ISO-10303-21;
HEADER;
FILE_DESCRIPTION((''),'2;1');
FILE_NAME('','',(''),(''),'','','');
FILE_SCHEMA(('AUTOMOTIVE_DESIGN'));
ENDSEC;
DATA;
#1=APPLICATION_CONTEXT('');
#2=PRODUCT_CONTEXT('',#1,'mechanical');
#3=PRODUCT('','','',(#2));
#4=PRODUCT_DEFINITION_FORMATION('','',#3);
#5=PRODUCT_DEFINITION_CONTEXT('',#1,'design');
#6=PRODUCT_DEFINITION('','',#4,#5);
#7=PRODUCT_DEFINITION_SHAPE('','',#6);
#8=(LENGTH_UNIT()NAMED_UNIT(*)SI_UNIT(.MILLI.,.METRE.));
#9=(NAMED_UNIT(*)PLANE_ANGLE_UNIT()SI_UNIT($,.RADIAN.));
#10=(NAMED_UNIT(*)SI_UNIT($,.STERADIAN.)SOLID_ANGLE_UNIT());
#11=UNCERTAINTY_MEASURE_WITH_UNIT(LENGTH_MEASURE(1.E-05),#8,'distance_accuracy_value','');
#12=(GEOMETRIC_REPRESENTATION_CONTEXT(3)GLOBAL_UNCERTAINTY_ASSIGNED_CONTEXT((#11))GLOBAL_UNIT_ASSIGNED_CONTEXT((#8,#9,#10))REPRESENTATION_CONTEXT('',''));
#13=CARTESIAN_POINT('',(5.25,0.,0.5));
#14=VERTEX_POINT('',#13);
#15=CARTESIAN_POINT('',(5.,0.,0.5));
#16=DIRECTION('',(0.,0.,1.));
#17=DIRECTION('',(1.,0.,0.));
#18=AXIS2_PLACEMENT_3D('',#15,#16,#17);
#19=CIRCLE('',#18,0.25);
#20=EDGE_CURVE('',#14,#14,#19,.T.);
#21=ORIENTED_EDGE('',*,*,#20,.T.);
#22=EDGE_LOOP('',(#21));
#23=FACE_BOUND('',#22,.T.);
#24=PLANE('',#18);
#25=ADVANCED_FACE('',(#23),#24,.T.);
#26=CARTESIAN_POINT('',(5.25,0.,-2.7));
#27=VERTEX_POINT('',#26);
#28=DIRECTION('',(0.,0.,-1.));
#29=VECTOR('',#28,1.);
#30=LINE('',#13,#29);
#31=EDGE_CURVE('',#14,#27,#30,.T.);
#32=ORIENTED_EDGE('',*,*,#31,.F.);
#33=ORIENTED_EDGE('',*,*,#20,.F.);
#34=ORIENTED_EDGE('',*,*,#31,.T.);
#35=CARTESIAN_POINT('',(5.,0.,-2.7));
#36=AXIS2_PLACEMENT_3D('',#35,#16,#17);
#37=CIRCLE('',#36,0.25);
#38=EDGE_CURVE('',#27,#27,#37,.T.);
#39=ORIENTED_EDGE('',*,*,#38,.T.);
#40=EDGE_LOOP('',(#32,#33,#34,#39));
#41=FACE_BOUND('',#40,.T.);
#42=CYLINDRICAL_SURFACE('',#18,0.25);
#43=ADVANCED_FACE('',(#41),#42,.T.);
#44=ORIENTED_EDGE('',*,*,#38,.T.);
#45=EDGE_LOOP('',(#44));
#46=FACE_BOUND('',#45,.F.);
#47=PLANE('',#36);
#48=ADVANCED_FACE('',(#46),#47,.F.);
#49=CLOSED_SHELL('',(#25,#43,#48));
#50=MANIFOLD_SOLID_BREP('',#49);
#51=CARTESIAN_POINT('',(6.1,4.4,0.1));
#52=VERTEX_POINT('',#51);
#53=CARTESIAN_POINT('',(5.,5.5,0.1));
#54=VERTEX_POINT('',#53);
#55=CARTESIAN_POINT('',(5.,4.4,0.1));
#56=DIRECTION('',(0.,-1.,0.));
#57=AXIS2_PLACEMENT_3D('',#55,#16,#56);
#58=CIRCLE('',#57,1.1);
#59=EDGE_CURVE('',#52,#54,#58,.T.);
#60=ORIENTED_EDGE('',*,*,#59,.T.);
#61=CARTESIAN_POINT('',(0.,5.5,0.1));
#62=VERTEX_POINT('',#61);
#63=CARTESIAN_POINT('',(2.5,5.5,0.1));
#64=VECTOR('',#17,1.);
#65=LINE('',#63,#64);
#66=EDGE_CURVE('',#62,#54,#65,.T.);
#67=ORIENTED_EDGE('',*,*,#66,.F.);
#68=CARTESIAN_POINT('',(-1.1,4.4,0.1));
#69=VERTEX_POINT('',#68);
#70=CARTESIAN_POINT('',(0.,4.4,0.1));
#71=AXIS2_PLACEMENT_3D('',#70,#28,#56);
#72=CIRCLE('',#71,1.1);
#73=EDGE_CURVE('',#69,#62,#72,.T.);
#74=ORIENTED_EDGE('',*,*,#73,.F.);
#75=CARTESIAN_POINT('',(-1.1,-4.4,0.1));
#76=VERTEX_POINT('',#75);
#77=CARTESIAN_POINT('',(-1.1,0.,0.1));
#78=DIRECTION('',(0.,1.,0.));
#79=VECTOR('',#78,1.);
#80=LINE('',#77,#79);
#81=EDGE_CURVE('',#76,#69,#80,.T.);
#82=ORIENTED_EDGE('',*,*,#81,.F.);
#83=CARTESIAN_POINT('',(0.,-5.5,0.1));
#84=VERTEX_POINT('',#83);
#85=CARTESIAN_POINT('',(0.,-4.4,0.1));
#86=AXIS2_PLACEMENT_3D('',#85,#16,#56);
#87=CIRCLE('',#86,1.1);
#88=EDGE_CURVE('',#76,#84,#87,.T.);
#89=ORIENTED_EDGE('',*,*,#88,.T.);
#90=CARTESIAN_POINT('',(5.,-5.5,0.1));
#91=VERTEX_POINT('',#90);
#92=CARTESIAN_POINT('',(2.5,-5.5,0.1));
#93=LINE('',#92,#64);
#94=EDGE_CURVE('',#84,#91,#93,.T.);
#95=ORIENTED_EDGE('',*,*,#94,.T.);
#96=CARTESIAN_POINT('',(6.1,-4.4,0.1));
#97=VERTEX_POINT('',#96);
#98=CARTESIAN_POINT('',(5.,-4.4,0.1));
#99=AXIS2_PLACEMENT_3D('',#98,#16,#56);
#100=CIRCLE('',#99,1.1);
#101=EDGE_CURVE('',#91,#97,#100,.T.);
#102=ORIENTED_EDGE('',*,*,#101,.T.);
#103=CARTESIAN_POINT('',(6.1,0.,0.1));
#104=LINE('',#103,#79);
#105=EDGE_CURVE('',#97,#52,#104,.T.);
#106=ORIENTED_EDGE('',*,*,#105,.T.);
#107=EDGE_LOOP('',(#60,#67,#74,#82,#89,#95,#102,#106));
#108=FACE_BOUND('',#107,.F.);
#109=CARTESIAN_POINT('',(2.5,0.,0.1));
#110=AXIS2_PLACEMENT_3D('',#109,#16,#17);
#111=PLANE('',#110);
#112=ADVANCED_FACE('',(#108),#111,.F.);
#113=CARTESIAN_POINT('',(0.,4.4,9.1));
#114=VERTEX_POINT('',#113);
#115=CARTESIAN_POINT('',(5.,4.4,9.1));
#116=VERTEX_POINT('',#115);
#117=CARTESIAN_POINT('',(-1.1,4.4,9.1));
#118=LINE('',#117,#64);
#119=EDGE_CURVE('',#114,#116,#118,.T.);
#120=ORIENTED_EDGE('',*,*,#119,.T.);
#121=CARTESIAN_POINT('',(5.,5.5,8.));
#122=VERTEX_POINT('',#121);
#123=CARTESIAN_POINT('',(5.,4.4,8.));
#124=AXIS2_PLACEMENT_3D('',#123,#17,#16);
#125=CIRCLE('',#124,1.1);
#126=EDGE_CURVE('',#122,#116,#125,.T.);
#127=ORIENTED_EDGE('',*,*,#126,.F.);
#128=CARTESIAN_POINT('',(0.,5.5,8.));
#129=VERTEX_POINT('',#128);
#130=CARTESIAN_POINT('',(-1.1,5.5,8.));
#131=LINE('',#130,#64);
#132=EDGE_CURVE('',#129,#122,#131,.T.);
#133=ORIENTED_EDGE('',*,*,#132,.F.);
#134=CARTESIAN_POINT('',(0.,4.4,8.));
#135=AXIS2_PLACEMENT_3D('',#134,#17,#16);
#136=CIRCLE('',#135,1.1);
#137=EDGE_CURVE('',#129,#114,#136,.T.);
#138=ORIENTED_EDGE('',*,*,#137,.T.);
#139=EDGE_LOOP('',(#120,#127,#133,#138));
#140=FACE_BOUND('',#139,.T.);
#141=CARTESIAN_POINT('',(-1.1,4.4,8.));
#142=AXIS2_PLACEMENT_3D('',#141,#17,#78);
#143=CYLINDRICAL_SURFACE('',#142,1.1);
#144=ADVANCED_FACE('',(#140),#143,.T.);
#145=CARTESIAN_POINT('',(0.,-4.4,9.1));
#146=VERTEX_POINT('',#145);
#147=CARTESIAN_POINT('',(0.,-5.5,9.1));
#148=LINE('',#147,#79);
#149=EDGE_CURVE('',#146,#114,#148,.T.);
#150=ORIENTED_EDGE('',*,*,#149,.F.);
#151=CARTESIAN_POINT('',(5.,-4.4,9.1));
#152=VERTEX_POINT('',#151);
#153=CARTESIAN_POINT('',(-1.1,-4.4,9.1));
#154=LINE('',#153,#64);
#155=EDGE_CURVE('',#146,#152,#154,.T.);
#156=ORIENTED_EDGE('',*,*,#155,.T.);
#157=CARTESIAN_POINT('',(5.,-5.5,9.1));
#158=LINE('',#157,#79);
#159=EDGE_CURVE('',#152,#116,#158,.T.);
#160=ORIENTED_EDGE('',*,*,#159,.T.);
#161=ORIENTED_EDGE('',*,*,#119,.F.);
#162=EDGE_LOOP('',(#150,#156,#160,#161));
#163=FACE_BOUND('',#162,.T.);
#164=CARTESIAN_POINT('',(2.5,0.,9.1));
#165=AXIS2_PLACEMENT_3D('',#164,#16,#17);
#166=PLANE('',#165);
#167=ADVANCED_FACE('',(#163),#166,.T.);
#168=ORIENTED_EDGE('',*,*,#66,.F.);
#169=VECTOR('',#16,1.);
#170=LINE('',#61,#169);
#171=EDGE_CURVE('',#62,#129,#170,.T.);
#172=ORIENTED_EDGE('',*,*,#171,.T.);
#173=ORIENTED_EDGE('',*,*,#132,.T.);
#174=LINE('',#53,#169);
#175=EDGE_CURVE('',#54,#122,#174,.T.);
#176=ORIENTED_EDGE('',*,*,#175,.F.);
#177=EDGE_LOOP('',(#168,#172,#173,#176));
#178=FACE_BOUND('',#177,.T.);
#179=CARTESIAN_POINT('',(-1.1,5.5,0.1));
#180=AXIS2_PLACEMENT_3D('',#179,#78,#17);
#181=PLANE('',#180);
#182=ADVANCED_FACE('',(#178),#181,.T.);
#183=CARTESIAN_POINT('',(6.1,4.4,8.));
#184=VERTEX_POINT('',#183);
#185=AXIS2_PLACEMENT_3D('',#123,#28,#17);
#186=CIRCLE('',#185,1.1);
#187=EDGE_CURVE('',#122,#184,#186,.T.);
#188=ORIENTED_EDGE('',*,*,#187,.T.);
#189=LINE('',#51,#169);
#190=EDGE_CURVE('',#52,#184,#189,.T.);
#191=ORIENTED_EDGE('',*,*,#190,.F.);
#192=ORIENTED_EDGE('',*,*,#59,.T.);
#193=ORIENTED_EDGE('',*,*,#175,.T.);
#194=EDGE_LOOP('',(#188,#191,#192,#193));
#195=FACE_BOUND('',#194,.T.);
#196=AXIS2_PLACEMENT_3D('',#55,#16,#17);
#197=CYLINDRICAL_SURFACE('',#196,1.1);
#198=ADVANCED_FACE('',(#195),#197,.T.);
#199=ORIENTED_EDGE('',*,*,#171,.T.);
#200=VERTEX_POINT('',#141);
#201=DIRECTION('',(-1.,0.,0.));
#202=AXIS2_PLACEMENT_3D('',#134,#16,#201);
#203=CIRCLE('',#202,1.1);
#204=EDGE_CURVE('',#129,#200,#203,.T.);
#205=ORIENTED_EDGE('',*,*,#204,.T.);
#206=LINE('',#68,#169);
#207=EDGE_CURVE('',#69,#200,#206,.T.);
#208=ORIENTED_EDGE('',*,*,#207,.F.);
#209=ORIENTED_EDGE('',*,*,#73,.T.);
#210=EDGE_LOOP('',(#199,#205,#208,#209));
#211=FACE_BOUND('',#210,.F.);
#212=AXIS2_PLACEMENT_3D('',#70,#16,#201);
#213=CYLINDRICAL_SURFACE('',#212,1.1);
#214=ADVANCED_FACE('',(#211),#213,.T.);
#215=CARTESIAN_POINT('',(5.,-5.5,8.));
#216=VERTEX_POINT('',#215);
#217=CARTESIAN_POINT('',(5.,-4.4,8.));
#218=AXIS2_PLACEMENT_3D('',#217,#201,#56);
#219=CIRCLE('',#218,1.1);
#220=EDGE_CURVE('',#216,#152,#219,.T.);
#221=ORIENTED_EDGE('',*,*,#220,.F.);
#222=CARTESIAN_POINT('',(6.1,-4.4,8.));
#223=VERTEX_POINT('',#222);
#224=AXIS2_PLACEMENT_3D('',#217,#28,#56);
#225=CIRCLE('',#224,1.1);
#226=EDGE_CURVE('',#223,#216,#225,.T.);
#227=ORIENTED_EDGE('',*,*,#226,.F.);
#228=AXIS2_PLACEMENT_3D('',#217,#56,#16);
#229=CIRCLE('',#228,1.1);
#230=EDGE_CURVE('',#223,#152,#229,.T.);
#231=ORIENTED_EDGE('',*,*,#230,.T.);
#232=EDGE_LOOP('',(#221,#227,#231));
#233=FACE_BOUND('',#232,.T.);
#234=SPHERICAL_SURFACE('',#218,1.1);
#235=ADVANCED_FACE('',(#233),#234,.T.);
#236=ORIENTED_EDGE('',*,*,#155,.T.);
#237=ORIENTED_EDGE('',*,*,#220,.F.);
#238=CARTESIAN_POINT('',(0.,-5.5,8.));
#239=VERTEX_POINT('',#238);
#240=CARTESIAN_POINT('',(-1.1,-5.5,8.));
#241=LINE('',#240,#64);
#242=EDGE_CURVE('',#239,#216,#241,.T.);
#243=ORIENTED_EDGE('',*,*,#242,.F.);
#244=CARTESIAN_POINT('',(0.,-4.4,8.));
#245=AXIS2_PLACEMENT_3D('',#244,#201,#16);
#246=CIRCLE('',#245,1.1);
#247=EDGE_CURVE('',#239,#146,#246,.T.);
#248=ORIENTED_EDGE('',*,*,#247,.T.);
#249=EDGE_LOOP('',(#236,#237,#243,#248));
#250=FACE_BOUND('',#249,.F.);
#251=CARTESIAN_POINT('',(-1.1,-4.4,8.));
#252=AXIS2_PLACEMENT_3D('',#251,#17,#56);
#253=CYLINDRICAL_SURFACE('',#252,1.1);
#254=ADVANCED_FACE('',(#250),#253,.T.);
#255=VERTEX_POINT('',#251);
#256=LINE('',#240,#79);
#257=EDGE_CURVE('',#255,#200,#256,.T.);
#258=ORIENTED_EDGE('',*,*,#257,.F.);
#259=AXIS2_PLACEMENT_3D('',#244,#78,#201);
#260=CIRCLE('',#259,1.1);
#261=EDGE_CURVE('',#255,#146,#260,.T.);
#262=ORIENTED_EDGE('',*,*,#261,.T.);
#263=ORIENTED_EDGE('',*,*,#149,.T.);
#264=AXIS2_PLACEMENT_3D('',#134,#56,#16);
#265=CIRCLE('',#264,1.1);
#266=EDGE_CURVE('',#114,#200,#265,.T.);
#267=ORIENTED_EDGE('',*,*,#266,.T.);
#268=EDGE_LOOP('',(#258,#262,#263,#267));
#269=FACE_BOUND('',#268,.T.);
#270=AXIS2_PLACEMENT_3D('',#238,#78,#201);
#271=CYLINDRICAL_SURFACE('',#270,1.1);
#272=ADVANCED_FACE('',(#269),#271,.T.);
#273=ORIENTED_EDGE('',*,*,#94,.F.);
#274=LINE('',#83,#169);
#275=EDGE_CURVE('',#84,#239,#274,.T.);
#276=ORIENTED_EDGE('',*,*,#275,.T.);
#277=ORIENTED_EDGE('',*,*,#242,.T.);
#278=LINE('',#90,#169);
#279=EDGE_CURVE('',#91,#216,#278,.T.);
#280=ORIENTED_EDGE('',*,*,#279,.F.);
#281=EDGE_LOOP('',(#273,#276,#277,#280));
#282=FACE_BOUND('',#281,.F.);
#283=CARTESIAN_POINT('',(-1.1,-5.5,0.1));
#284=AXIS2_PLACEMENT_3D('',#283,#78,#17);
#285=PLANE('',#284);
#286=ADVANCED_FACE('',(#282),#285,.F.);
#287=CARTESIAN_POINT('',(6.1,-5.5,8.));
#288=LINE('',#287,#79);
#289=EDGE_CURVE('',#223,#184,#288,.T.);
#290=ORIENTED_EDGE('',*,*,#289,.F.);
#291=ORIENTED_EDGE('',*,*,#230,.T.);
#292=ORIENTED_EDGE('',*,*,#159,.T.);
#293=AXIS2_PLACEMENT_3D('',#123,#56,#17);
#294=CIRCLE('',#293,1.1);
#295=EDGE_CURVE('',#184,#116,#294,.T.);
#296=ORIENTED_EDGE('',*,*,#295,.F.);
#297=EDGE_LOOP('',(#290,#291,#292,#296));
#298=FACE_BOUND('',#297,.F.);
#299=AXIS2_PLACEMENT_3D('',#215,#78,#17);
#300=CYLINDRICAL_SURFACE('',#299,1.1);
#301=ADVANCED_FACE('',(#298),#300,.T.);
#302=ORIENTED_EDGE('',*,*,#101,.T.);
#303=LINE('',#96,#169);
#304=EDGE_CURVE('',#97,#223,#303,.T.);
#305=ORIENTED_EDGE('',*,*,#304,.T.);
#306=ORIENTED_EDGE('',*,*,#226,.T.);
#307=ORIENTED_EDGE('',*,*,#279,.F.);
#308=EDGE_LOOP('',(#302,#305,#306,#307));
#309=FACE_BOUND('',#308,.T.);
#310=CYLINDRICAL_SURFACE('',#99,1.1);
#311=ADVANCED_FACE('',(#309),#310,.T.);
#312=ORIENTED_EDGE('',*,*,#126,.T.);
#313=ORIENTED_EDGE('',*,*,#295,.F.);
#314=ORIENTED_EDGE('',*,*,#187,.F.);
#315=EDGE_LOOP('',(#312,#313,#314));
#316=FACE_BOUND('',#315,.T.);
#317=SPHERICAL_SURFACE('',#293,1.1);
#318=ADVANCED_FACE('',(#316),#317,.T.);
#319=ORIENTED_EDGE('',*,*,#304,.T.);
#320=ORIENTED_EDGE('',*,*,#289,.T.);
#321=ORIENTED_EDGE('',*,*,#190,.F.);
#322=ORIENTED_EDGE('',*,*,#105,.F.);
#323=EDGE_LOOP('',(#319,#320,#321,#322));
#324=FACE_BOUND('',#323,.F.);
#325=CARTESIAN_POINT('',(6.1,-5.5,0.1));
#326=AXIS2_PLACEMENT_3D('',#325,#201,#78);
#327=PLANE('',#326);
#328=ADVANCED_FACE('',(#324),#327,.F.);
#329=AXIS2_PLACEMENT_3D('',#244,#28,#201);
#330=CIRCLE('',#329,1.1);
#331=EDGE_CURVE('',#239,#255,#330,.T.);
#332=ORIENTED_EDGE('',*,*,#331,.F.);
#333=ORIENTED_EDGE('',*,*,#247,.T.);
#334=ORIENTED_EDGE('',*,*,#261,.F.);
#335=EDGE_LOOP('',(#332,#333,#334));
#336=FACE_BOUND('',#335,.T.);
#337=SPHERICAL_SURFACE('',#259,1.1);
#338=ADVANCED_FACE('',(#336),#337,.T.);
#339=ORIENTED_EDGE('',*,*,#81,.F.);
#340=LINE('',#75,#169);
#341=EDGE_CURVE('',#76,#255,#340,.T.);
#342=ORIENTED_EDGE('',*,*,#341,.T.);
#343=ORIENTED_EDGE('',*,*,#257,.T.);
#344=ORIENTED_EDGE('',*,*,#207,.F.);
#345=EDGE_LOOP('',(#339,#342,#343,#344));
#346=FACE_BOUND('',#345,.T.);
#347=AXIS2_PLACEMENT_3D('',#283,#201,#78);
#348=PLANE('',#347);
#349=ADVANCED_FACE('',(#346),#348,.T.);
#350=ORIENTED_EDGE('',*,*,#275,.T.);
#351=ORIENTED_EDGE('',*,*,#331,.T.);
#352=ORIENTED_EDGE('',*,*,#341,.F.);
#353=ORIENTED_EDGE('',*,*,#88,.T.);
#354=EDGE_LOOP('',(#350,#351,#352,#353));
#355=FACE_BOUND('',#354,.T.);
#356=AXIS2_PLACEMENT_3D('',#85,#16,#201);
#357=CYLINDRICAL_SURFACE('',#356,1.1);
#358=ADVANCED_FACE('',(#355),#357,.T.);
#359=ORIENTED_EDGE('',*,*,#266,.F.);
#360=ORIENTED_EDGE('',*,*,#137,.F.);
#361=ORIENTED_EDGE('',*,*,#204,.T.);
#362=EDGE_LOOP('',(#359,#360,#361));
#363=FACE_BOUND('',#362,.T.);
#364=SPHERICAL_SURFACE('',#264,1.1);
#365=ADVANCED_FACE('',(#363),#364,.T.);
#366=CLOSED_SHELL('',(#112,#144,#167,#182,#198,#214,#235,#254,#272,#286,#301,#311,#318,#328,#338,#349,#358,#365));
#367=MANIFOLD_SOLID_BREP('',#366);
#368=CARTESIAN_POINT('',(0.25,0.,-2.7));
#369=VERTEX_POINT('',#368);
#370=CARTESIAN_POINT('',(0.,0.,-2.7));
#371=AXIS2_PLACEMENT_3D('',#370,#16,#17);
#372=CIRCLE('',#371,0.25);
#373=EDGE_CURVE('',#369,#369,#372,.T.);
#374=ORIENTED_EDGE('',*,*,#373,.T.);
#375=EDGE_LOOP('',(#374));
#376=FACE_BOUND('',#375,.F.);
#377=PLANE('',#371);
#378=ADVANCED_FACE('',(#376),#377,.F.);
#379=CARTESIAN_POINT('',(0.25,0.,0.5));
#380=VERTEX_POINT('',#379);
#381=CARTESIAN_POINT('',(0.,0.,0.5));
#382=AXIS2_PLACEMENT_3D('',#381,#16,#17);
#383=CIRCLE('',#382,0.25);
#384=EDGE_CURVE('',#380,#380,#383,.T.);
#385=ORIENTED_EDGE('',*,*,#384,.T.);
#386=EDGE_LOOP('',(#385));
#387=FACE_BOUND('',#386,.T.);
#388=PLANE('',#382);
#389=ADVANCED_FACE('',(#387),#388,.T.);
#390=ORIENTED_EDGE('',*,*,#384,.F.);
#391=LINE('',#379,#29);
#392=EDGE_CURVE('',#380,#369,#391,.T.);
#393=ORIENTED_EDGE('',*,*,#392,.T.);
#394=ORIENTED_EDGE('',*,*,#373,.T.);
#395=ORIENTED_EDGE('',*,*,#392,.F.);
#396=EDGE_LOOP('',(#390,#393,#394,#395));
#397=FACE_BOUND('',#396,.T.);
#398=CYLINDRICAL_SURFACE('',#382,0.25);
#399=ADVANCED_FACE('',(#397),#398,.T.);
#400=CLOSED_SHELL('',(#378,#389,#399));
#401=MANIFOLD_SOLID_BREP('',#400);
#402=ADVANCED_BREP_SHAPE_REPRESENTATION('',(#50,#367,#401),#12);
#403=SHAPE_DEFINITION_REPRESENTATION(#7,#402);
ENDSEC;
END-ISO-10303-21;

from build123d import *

# Parameters (mm, degrees)
SKETCH_W     = 7.2
SKETCH_H     = 11
PAD_DEPTH    = 9
FILLET_R     = 1.1
SKETCH001_R  = 0.25
PAD001_DEPTH = 3.2


with BuildPart() as fillet_body:
    # Sketch → Pad (new body)
    with BuildSketch(Plane.XY.offset(0.1)):
        with Locations((2.5, 0)):
            Rectangle(SKETCH_W, SKETCH_H)
    extrude(amount=PAD_DEPTH)

    # Fillet
    fillet_edges = [fillet_body.edges().sort_by_distance(p)[0] for p in [
        (-1.1, 0, 9.1),
        (-1.1, -5.5, 4.6),
        (2.5, -5.5, 9.1),
        (6.1, -5.5, 4.6),
        (6.1, 0, 9.1),
        (6.1, 5.5, 4.6),
        (2.5, 5.5, 9.1),
        (-1.1, 5.5, 4.6),
    ]]
    fillet(fillet_edges, radius=FILLET_R)


with BuildPart() as pad001:
    # Sketch001 → Pad001 (new body)
    with BuildSketch(Plane.XY.offset(0.5)):
        Circle(SKETCH001_R)
        with Locations((5, 0)):
            Circle(SKETCH001_R)
    extrude(amount=-PAD001_DEPTH)


solid = Compound([fillet_body.part, pad001.part])
